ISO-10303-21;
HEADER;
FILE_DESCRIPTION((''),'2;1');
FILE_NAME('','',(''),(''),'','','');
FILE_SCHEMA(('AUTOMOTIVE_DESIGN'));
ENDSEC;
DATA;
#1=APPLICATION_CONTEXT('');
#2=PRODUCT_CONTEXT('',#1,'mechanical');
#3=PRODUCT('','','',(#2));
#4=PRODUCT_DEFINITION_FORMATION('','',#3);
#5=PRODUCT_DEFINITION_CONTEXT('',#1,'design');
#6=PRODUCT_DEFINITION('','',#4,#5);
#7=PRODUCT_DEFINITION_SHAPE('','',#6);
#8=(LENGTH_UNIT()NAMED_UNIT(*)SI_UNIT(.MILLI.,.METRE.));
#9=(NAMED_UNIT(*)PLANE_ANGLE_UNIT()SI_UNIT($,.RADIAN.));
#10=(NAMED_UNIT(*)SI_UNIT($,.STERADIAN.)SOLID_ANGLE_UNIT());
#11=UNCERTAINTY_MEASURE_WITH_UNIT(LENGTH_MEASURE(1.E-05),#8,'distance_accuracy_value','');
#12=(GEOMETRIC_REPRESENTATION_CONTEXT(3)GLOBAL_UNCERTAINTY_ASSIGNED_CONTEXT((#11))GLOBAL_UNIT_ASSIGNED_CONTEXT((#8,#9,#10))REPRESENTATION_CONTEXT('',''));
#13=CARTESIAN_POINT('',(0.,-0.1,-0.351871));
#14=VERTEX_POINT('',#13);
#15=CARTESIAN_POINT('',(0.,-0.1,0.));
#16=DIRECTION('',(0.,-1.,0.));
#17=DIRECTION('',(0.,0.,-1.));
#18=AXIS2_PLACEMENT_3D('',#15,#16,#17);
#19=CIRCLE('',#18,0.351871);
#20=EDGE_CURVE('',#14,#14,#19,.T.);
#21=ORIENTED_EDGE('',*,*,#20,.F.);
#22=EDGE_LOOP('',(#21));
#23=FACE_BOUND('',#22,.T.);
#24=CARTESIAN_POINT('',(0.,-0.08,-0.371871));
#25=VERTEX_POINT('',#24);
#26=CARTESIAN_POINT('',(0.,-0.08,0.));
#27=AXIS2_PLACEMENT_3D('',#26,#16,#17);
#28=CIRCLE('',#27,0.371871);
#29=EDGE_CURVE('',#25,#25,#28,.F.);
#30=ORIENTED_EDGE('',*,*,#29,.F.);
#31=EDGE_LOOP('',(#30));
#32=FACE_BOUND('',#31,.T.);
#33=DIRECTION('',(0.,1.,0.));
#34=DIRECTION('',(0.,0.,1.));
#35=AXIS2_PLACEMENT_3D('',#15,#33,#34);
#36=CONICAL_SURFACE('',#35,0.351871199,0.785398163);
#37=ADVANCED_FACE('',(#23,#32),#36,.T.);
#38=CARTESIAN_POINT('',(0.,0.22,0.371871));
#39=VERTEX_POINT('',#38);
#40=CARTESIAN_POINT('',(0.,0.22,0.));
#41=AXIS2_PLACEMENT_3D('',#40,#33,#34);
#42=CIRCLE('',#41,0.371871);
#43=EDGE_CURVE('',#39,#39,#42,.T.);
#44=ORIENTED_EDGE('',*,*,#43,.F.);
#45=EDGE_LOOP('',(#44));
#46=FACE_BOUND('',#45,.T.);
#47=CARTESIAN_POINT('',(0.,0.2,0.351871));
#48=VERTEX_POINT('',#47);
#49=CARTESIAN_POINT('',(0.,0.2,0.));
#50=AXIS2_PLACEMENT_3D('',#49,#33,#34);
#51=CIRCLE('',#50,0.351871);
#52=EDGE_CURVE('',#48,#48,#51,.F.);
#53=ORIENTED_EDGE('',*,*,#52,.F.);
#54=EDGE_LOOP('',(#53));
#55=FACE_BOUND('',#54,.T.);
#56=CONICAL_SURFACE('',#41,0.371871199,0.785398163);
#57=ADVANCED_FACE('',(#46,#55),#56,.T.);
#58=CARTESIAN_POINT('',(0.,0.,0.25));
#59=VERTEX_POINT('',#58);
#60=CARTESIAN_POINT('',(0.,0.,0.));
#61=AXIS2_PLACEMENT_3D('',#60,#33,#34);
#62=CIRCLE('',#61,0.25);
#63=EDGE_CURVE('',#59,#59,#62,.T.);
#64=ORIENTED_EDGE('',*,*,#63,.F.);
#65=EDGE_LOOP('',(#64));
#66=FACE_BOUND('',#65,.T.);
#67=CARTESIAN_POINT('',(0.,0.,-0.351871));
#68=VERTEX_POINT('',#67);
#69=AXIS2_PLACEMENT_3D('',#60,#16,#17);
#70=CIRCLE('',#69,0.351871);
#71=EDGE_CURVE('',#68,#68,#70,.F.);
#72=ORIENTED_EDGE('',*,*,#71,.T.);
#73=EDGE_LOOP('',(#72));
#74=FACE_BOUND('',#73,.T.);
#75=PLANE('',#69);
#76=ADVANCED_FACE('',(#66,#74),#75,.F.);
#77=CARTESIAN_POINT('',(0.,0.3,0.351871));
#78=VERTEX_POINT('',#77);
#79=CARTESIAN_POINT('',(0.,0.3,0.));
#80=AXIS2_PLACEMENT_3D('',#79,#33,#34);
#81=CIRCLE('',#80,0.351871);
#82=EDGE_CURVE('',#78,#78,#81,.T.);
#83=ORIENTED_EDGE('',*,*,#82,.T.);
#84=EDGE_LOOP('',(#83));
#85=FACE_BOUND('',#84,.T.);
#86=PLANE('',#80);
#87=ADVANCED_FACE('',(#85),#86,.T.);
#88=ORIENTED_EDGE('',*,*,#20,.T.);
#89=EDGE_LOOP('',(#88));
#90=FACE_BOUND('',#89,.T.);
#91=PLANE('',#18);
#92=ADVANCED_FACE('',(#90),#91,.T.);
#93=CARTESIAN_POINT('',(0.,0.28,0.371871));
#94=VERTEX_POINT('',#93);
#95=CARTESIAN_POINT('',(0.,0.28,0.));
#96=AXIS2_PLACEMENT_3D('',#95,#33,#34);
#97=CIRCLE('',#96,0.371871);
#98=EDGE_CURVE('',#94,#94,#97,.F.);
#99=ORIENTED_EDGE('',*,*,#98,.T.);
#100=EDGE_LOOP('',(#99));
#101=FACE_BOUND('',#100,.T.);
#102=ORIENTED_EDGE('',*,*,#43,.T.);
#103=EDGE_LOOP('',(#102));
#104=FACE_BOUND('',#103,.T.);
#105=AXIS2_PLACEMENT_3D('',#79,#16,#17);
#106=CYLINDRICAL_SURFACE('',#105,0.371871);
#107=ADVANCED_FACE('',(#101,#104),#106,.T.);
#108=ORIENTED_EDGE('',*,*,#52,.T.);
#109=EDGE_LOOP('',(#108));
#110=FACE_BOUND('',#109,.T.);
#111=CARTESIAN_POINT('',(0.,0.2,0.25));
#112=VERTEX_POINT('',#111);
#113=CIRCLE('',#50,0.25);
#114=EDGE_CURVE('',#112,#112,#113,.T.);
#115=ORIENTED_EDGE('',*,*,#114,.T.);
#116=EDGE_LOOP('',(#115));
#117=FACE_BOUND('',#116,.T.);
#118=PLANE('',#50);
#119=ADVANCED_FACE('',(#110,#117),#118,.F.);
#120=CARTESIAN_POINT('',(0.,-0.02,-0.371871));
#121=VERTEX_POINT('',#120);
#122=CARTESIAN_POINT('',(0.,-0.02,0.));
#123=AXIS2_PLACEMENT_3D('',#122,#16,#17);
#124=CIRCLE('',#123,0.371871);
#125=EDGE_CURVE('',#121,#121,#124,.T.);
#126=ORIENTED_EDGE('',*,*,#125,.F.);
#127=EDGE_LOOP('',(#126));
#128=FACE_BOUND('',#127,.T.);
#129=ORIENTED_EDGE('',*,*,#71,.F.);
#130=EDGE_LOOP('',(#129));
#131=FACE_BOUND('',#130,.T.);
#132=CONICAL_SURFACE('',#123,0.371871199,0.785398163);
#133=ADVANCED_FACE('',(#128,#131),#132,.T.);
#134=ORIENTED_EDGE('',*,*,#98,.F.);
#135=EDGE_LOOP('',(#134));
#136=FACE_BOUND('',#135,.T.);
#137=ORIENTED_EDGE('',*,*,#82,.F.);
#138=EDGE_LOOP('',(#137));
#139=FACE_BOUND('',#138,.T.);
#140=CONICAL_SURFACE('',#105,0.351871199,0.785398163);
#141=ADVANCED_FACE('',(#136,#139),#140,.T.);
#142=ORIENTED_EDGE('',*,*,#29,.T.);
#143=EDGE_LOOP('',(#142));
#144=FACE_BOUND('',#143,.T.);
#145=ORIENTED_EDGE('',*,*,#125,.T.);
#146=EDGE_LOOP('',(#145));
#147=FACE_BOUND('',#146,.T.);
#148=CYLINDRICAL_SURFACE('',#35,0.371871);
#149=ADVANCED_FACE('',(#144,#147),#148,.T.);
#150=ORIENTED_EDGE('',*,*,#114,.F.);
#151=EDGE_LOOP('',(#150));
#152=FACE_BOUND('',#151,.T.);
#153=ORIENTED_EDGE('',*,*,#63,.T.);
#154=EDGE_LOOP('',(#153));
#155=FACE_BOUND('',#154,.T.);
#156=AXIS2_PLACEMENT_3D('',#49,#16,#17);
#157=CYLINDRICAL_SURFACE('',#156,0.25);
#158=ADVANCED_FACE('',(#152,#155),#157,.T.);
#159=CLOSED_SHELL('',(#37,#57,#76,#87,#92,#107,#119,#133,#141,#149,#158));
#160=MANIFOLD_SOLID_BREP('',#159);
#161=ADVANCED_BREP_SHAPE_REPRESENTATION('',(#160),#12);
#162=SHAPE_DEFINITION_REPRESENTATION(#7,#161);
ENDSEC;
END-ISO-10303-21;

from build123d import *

# Parameters (mm, degrees)
SKETCH2_R           = 0.25
BOSS_EXTRUDE1_DEPTH = 0.2
SKETCH3_R           = 0.371871199
BOSS_EXTRUDE2_DEPTH = 0.1
SKETCH4_R           = 0.371871199
BOSS_EXTRUDE3_DEPTH = 0.1
CHAMFER1_SIZE       = 0.02
CHAMFER2_SIZE       = 0.02
CHAMFER3_SIZE       = 0.02


with BuildPart() as part:
    # Sketch2 → Boss-Extrude1 (new body)
    with BuildSketch(Plane(origin=(0, 0, 0), x_dir=(1, 0, 0), z_dir=(0, 1, 0))):
        Circle(SKETCH2_R)
    extrude(amount=BOSS_EXTRUDE1_DEPTH)

    # Sketch3 → Boss-Extrude2 (add)
    with BuildSketch(Plane(origin=(0, 0.2, 0), x_dir=(1, 0, 0), z_dir=(0, 1, 0))):
        Circle(SKETCH3_R)
    extrude(amount=BOSS_EXTRUDE2_DEPTH)

    # Sketch4 → Boss-Extrude3 (add)
    with BuildSketch(Plane.XZ):
        Circle(SKETCH4_R)
    extrude(amount=BOSS_EXTRUDE3_DEPTH)

    # Chamfer1
    chamfer1_edges = [part.edges().sort_by_distance(p)[0] for p in [
        (-0.371871199, 0.3, 0),
    ]]
    chamfer(chamfer1_edges, length=CHAMFER1_SIZE)

    # Chamfer2
    chamfer2_edges = [part.edges().sort_by_distance(p)[0] for p in [
        (-0.371871199, 0.2, 0),
        (-0.371871199, 0, 0),
    ]]
    chamfer(chamfer2_edges, length=CHAMFER2_SIZE)

    # Chamfer3
    chamfer3_edges = [part.edges().sort_by_distance(p)[0] for p in [
        (-0.371871199, -0.1, 0),
    ]]
    chamfer(chamfer3_edges, length=CHAMFER3_SIZE)


solid = part.part
